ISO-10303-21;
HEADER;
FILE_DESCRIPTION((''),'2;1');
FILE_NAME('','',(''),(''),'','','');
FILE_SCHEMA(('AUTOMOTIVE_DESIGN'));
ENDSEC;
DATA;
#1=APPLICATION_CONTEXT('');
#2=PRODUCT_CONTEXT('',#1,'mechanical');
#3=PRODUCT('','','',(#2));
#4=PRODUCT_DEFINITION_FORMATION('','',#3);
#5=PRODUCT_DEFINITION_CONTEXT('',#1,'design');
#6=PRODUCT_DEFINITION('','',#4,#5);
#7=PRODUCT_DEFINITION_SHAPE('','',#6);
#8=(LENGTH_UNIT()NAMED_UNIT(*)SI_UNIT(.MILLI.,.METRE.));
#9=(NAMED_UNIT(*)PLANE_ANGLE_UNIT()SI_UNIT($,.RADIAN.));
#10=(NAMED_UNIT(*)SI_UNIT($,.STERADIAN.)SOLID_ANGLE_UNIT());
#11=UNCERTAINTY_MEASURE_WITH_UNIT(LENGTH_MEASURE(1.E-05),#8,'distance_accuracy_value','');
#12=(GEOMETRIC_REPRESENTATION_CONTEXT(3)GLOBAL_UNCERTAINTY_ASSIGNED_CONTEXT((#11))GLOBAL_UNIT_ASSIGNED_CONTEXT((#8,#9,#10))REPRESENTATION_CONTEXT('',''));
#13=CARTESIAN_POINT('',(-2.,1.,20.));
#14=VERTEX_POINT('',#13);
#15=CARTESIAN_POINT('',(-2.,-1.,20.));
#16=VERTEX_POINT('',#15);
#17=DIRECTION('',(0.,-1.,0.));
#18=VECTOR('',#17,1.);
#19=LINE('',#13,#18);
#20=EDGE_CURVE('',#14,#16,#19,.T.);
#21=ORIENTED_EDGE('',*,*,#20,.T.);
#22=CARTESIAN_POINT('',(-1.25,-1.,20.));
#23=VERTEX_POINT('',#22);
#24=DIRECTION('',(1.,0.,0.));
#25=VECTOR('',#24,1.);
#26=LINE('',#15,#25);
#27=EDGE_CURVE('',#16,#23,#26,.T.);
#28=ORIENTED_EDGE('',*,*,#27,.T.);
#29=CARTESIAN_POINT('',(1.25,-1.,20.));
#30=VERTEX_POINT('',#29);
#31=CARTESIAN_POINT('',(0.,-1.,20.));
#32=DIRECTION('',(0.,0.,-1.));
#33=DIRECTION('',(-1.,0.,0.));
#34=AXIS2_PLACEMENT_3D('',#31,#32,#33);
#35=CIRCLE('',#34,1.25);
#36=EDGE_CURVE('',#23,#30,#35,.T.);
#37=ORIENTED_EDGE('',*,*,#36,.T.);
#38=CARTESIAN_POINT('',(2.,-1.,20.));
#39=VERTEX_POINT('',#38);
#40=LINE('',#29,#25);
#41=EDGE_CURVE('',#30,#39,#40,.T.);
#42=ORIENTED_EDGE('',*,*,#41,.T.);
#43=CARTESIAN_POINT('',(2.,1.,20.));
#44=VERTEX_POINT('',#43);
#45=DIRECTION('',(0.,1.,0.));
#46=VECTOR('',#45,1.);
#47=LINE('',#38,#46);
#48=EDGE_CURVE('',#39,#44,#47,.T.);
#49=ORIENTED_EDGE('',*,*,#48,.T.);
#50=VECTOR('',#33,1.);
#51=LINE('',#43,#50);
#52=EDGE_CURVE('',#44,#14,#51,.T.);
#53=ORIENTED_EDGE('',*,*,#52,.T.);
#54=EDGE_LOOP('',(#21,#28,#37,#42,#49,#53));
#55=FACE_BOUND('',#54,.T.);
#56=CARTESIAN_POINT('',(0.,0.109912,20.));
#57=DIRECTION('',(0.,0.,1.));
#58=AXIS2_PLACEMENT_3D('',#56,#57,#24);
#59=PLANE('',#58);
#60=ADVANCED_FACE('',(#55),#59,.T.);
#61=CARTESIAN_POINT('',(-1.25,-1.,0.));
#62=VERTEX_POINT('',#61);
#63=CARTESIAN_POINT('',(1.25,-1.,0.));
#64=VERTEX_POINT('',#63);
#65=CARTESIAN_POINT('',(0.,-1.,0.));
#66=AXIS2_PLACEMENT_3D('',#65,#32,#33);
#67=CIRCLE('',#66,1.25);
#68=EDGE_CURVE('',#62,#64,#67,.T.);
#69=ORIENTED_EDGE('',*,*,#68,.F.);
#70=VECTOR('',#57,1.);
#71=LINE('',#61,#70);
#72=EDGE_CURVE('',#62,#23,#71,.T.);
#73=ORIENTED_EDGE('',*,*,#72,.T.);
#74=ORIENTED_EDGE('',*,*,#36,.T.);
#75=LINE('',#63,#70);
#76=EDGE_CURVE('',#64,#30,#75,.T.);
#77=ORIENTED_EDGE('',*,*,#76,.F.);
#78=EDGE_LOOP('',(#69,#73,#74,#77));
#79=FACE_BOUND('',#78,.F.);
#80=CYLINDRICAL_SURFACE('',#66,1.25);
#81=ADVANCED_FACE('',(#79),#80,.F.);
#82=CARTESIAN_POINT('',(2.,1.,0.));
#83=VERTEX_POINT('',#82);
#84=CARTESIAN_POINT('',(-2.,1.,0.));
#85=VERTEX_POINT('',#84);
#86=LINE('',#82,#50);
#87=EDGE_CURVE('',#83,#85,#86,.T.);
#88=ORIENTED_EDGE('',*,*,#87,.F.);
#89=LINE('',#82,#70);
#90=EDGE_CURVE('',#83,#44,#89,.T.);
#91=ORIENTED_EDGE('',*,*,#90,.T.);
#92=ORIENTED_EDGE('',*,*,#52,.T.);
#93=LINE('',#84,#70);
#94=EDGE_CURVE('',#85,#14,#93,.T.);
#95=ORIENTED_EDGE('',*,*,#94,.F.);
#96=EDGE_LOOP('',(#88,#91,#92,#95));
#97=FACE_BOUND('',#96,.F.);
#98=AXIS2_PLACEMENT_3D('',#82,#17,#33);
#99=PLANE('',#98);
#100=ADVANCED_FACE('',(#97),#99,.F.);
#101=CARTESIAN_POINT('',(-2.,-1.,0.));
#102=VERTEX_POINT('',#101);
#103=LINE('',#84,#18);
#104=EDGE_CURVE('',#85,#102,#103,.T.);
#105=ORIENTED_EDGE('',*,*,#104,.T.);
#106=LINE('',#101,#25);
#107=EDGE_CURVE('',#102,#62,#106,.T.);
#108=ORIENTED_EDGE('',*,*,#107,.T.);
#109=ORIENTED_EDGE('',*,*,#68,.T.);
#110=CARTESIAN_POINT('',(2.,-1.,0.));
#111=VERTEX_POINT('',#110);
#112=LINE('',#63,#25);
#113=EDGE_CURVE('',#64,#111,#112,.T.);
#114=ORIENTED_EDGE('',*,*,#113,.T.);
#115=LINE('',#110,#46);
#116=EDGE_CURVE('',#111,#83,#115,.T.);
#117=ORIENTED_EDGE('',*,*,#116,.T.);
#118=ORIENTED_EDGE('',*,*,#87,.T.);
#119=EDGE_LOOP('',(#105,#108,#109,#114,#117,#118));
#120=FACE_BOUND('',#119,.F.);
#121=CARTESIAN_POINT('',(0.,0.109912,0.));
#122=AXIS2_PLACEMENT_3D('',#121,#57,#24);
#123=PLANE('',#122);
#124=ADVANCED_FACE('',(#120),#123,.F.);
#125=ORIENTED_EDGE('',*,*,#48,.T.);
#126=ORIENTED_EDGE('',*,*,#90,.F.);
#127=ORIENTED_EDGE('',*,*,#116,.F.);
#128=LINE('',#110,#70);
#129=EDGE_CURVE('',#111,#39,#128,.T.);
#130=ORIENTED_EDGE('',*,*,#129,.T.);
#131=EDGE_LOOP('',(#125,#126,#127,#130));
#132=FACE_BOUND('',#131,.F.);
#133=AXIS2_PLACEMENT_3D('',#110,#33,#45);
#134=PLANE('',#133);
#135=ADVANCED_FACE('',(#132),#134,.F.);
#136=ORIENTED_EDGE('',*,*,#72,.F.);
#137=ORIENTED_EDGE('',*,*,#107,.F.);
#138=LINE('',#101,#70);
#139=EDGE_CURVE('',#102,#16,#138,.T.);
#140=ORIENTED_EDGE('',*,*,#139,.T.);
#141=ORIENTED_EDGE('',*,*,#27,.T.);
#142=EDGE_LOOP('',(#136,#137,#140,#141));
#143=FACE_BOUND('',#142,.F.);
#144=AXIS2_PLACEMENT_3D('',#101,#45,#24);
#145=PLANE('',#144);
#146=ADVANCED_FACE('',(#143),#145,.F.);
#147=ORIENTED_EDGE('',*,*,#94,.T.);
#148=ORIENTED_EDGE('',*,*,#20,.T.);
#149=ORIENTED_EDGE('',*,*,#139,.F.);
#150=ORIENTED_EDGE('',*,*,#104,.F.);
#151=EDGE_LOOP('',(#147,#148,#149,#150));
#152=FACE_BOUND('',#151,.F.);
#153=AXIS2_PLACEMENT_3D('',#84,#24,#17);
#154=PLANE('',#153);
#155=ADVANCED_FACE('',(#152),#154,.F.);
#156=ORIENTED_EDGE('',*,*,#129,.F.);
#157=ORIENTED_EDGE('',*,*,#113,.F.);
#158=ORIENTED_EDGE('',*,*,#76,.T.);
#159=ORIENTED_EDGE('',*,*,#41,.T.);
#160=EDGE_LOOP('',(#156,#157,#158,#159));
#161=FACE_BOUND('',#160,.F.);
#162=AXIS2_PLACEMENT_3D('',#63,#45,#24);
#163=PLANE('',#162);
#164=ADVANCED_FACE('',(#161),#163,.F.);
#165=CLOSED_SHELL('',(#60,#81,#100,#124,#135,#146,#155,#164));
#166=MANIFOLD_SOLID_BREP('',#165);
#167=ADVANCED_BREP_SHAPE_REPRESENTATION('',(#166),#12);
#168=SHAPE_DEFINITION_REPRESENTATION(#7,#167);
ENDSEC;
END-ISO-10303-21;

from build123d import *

# Parameters (mm, degrees)
F1_DEPTH = 20


with BuildPart() as f1:
    # F0 (on Top) → F1 (new body)
    with BuildSketch(Plane.XY):
        with BuildLine():
            Line((1.25, -1), (2, -1))
            Line((2, -1), (2, 1))
            Line((2, 1), (-2, 1))
            Line((-2, 1), (-2, -1))
            Line((-2, -1), (-1.25, -1))
            ThreePointArc((-1.25, -1), (0, 0.25), (1.25, -1))
        make_face()
    extrude(amount=F1_DEPTH)


solid = f1.part
